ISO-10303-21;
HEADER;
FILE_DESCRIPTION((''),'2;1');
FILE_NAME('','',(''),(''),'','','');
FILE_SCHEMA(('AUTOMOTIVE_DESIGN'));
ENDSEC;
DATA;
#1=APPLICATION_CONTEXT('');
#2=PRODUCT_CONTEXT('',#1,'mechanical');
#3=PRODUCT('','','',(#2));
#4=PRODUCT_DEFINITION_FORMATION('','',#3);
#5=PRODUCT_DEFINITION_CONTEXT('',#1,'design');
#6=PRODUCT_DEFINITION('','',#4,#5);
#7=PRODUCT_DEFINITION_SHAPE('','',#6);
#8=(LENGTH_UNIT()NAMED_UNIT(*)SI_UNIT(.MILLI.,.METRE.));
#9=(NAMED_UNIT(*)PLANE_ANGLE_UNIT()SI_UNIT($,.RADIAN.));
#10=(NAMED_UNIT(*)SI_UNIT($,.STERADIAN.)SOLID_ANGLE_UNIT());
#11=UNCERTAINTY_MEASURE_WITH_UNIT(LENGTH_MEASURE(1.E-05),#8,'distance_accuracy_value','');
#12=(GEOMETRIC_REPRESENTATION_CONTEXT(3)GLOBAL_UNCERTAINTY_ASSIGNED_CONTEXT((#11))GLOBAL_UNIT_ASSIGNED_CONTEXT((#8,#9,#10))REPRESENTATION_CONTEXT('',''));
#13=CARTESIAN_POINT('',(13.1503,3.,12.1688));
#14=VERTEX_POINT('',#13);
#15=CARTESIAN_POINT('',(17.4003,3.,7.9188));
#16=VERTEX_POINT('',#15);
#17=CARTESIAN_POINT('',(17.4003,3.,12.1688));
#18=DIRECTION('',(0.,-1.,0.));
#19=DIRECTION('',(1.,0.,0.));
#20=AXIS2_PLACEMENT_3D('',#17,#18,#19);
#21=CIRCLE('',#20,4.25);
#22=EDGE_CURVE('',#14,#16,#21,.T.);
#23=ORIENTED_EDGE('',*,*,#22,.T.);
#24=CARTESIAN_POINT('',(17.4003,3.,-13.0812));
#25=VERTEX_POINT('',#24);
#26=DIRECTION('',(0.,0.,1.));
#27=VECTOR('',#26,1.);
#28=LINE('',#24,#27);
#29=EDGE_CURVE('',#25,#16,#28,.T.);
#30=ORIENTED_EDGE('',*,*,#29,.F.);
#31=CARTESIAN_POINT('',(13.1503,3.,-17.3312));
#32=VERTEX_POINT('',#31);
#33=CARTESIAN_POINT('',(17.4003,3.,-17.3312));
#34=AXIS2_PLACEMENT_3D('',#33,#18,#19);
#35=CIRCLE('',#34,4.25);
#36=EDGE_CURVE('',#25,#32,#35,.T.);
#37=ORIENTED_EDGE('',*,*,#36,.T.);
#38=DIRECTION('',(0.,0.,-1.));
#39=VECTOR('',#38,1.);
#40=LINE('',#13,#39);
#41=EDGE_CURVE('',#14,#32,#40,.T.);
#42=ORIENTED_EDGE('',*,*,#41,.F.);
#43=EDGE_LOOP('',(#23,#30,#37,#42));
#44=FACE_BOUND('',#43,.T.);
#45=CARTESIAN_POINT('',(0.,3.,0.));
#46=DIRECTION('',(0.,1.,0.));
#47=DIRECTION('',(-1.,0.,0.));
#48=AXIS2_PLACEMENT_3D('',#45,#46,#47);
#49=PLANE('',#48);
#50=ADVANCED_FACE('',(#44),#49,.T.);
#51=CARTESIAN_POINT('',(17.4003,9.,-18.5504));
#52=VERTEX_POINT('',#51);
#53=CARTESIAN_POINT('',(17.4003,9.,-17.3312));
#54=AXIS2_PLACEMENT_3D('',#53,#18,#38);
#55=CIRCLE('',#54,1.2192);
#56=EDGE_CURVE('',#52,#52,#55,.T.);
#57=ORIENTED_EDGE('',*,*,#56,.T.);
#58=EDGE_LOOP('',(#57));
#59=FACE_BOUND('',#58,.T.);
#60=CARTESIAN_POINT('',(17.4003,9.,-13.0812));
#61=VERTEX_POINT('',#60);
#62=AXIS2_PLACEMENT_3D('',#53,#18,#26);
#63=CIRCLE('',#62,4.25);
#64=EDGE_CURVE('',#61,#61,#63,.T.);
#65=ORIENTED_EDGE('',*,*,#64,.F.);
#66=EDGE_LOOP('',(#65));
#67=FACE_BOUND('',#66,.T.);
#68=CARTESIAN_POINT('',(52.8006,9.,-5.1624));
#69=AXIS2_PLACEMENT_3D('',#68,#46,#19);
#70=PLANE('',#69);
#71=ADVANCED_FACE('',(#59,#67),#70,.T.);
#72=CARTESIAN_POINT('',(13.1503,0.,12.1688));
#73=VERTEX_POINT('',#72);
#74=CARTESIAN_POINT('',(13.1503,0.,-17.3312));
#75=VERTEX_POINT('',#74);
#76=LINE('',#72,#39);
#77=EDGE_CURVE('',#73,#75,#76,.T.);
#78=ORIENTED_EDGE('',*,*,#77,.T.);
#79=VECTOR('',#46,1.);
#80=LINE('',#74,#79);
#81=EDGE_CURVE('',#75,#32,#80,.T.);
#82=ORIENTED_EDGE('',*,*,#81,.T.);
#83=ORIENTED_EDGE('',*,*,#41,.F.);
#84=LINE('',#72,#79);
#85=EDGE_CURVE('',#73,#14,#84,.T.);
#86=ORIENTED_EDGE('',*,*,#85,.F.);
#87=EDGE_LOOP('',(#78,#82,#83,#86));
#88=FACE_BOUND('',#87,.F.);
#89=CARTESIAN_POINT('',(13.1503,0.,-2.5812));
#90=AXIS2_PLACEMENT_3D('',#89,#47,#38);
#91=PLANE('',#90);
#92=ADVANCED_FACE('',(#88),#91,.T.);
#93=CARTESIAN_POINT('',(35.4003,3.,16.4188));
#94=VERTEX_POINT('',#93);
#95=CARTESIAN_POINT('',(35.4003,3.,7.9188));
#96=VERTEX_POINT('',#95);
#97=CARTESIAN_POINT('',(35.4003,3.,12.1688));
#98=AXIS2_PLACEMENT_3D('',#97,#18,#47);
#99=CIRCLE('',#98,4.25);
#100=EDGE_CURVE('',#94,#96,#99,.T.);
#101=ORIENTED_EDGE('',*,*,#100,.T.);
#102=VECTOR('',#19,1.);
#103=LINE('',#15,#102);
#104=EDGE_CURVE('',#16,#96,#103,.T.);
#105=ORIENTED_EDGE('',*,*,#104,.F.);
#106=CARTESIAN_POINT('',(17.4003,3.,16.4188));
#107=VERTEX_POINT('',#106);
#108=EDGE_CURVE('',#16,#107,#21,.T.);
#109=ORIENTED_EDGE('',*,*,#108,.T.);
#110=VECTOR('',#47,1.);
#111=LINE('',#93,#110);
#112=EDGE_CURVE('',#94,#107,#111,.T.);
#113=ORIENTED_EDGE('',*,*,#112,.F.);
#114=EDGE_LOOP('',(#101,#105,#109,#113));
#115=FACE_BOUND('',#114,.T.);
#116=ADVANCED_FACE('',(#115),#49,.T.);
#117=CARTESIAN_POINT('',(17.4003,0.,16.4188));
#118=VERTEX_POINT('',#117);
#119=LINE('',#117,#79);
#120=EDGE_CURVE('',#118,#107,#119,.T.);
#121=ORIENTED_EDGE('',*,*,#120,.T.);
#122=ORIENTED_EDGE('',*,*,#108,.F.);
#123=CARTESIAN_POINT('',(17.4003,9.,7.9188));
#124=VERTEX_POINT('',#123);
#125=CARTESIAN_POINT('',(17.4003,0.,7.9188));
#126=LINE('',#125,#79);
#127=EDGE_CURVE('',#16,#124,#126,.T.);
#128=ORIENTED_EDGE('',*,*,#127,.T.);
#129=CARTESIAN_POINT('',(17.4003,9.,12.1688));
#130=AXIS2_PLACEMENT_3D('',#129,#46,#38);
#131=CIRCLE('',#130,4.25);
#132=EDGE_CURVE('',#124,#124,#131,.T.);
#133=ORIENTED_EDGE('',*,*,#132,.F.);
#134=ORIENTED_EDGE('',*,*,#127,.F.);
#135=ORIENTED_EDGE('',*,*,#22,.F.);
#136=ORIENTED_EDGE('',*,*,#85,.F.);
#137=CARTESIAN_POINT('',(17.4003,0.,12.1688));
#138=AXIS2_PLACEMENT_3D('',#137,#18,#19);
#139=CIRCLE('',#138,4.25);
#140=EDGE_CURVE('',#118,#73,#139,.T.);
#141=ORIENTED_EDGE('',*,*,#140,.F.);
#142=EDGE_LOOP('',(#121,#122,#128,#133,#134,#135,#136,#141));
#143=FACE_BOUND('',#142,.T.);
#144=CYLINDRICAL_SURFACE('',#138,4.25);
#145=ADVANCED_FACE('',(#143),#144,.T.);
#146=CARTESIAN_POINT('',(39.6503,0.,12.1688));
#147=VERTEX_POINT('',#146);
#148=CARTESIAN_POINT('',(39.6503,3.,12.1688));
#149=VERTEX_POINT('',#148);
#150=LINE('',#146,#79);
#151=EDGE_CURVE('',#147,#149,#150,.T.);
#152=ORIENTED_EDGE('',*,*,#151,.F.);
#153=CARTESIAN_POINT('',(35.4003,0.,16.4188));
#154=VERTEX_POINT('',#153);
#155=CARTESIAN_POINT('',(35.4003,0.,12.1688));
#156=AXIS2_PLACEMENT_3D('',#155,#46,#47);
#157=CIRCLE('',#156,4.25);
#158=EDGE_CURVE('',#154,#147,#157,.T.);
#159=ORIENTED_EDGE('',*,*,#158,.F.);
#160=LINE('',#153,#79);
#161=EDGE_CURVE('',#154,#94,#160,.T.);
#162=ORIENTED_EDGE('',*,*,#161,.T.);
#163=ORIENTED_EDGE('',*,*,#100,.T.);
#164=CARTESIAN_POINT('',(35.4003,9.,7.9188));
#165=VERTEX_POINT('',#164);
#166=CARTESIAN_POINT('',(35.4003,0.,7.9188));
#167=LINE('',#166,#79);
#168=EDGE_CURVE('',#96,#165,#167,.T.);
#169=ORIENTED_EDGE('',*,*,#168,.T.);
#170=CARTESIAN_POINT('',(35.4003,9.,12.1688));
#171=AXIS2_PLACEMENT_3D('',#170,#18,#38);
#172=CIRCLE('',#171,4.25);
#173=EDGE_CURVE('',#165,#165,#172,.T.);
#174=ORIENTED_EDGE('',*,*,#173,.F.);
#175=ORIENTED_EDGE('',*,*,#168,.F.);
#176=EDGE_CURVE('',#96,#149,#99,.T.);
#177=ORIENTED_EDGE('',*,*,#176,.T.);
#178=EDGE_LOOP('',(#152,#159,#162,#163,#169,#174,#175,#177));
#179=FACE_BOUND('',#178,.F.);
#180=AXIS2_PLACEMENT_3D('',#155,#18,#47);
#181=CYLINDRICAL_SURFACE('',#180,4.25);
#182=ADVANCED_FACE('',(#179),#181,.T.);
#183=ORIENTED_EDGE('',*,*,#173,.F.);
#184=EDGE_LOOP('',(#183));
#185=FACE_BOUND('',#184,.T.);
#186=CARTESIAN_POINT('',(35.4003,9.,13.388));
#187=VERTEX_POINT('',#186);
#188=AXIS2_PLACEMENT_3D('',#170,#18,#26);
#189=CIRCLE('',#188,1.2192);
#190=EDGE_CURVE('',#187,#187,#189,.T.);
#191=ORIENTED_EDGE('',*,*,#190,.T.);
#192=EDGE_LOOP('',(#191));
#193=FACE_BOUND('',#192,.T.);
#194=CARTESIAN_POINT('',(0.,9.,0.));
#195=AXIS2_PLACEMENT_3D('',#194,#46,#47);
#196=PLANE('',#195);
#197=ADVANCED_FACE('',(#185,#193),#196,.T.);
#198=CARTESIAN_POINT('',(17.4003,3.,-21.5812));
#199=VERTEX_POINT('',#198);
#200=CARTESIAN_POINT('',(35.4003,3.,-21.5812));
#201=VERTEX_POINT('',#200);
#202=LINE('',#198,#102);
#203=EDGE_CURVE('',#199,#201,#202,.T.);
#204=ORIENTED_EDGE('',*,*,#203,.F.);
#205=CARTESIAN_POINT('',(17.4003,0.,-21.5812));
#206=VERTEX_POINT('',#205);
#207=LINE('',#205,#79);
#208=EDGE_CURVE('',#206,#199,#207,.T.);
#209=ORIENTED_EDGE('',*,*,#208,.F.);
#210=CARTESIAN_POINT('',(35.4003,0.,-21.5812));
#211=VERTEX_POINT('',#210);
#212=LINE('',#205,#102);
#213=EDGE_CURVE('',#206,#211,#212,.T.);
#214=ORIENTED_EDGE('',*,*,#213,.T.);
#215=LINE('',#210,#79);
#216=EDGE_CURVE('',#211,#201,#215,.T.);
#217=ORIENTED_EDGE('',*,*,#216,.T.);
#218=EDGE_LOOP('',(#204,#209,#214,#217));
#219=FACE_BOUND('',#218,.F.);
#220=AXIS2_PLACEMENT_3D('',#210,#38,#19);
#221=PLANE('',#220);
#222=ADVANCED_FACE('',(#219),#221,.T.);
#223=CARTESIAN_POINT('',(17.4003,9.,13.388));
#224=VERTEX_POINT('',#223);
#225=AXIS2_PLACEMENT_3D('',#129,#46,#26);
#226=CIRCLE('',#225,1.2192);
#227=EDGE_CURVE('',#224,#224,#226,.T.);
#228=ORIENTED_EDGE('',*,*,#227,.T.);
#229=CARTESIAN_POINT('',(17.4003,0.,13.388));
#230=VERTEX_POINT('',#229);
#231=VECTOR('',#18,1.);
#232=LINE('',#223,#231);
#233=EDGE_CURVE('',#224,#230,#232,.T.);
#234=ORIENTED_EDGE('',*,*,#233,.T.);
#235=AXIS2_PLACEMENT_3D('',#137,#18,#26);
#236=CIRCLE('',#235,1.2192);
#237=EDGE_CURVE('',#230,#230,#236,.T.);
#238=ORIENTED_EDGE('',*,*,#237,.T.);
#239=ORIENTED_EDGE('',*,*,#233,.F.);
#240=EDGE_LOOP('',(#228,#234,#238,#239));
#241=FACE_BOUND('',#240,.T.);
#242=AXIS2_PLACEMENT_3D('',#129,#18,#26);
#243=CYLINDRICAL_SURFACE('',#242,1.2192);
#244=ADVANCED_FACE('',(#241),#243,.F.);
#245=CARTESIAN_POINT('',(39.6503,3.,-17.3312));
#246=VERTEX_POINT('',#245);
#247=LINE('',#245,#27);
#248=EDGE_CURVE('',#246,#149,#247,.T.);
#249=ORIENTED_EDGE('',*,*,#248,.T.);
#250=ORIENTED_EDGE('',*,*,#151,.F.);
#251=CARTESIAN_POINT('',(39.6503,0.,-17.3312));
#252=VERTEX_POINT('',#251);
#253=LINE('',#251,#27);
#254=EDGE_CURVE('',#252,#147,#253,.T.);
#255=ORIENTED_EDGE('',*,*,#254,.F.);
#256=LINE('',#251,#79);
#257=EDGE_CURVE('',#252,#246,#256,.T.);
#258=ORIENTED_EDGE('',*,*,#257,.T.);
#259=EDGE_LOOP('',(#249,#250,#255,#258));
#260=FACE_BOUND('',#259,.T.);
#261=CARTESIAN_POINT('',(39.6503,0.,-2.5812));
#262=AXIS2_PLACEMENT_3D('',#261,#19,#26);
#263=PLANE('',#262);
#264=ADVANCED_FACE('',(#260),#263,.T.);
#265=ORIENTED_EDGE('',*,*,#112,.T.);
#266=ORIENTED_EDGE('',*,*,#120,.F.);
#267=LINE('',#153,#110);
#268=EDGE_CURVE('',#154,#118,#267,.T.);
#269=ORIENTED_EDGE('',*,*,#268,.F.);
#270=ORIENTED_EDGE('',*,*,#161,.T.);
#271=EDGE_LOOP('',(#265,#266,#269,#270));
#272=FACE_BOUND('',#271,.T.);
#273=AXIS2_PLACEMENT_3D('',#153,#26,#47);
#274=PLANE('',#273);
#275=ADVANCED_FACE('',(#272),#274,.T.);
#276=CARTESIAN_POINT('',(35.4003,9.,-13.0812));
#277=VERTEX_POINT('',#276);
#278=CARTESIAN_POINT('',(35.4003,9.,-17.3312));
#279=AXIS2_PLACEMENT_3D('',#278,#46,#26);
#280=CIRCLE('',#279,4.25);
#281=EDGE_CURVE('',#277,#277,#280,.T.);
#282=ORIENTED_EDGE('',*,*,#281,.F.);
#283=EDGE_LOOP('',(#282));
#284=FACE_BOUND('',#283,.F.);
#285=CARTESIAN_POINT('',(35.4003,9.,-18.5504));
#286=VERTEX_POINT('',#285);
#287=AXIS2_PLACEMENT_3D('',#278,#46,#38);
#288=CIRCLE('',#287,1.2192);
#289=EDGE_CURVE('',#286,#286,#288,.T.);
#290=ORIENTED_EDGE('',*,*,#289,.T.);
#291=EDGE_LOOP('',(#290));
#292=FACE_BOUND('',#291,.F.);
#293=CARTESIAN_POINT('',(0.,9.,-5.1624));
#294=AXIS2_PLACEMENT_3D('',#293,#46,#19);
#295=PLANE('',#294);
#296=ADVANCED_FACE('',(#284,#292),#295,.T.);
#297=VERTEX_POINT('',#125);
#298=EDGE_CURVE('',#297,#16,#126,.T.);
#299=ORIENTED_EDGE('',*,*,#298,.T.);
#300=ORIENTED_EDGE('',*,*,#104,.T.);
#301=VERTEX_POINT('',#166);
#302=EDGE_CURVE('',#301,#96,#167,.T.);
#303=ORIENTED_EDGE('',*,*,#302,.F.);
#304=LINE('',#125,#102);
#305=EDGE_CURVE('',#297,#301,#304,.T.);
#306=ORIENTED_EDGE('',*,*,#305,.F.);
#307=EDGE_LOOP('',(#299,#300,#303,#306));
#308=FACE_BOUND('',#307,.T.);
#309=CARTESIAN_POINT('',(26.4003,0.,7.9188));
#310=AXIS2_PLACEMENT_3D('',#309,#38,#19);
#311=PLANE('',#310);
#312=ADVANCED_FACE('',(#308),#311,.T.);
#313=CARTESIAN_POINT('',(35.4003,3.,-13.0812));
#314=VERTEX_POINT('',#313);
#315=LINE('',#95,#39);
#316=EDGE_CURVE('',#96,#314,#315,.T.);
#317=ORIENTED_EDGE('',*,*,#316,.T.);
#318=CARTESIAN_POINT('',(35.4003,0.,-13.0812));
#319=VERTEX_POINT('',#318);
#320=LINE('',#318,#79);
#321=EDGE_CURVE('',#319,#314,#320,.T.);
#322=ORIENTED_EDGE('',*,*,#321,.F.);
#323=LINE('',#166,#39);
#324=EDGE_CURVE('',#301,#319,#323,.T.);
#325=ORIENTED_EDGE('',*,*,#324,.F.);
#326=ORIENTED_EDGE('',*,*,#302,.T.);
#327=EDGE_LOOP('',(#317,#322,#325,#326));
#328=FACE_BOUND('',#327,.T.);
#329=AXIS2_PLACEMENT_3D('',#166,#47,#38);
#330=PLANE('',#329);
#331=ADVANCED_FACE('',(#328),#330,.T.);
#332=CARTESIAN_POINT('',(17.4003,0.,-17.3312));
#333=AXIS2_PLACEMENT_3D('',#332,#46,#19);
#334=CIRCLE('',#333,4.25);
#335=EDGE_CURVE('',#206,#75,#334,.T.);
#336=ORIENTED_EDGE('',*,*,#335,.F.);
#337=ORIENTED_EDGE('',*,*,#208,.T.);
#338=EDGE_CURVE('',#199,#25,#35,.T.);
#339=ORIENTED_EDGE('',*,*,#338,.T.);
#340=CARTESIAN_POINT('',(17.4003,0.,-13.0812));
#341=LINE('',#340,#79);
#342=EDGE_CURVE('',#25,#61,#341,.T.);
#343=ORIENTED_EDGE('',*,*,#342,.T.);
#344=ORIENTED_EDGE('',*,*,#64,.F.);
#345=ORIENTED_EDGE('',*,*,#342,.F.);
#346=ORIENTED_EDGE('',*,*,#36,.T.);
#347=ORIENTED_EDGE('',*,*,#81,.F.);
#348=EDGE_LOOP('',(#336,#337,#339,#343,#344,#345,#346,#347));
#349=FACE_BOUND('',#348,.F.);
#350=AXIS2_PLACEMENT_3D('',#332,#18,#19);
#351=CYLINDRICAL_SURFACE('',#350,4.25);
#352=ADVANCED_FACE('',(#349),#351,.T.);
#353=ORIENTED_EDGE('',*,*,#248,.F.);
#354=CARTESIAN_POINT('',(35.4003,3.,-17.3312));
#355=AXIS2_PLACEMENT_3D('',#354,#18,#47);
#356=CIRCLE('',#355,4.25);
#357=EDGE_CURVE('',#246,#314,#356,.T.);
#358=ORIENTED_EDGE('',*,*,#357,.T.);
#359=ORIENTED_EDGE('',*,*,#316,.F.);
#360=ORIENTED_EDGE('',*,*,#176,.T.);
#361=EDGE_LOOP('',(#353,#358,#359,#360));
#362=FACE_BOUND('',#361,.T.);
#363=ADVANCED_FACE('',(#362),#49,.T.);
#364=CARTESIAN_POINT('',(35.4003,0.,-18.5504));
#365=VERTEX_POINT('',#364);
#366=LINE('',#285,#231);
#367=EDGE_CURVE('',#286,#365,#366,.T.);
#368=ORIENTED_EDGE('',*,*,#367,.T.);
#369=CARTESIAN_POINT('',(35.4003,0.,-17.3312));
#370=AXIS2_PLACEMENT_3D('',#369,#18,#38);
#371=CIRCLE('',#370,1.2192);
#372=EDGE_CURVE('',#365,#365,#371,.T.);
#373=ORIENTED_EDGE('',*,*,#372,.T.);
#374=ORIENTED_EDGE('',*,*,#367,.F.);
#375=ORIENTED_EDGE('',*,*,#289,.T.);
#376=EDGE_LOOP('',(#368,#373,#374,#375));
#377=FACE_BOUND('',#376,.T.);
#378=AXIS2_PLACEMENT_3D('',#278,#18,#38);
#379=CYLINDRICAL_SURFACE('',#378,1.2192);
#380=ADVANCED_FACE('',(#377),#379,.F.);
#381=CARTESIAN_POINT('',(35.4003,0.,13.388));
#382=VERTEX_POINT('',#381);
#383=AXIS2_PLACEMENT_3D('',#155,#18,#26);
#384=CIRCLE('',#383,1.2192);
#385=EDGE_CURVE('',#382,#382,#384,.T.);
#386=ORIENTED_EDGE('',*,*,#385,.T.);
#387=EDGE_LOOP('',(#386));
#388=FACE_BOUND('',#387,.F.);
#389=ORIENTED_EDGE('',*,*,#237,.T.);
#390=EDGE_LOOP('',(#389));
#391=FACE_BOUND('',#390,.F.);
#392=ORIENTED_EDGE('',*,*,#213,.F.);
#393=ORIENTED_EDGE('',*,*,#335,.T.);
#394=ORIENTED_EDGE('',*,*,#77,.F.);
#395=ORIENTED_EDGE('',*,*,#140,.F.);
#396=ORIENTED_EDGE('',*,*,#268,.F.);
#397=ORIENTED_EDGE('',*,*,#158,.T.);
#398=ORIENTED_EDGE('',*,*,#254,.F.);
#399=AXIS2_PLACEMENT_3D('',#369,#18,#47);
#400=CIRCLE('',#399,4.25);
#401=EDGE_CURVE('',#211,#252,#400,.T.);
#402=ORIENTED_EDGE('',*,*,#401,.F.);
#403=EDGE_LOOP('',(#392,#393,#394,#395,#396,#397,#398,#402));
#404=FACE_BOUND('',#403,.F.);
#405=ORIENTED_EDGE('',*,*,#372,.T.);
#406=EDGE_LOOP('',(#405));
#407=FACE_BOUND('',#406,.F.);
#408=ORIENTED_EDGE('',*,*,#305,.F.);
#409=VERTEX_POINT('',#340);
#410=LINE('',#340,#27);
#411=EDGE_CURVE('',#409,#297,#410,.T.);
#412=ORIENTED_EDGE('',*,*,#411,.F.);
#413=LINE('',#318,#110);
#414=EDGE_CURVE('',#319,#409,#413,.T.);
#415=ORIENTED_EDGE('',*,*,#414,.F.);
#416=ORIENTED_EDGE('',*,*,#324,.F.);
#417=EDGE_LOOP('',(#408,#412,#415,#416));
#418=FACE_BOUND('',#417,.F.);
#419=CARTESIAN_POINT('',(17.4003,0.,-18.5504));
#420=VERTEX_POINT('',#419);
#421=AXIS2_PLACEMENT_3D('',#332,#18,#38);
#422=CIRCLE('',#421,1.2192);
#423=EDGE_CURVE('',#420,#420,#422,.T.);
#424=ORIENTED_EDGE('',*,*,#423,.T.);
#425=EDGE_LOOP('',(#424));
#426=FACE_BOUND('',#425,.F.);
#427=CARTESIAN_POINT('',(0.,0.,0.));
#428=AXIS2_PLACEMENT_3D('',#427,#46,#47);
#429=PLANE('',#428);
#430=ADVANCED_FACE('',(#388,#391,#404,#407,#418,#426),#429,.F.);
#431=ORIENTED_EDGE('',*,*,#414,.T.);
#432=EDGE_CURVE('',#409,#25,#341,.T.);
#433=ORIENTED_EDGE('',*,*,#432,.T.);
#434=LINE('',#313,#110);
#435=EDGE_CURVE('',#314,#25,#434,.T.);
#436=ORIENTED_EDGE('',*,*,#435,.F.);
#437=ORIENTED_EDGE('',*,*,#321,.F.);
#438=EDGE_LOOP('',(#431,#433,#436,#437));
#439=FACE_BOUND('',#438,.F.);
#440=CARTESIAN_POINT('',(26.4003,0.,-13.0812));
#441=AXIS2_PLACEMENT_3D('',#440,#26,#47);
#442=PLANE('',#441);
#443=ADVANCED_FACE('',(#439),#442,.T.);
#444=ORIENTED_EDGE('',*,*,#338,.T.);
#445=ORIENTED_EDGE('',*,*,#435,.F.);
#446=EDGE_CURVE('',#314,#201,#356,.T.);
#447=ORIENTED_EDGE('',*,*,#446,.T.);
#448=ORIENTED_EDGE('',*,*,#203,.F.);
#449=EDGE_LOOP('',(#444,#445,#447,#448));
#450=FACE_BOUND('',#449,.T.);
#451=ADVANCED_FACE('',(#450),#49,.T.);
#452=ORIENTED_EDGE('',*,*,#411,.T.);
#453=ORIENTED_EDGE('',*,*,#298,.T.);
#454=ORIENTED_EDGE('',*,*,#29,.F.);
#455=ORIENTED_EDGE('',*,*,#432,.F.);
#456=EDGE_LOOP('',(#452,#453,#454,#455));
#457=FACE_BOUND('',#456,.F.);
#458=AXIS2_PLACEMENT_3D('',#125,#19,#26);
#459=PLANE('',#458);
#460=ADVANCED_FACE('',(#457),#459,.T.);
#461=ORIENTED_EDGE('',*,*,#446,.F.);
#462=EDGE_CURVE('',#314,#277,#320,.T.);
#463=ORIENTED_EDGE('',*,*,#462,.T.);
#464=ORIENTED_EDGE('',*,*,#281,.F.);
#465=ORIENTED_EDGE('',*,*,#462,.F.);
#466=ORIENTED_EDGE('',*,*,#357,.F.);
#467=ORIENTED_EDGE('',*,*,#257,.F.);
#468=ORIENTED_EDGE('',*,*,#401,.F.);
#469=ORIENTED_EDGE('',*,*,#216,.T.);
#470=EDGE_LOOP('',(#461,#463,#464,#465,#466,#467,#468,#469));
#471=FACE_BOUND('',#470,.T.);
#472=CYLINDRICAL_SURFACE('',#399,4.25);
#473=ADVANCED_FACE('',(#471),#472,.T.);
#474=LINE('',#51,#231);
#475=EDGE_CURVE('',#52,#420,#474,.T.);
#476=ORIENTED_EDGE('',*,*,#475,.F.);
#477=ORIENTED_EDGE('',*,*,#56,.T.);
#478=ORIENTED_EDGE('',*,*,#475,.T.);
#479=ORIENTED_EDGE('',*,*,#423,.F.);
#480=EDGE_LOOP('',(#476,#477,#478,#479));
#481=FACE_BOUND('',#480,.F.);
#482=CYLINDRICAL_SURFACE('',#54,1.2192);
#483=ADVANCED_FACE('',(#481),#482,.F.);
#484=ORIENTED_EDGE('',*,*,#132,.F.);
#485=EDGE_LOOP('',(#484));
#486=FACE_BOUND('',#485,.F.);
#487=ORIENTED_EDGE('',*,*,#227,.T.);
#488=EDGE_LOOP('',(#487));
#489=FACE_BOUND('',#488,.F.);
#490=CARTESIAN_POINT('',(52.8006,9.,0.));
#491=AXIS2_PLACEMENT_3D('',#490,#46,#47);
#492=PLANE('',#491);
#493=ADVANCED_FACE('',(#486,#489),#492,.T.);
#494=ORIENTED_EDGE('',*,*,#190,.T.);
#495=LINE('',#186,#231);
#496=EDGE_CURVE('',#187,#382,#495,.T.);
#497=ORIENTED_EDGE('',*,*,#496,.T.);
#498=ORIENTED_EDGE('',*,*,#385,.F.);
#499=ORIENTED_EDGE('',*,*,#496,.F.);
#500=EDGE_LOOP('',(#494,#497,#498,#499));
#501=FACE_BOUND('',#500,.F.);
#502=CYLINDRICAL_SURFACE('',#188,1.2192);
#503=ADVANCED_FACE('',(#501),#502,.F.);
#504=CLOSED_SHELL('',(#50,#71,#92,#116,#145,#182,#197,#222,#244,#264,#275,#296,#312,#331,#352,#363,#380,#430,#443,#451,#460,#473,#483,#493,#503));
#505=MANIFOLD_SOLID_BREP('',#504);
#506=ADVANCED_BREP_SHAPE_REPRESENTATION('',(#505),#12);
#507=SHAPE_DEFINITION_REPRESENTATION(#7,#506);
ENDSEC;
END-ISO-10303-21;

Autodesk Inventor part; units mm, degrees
ref_plane "YZ Plane" through (0, 0, 0) normal (1, 0, 0) x (0, 1, 0)
ref_plane "XZ Plane" through (0, 0, 0) normal (0, 1, 0) x (-1, 0, 0)
ref_plane "XY Plane" through (0, 0, 0) normal (0, 0, 1) x (1, 0, 0)
sketch "Sketch1" plane through (0, 0, 0) normal (0, 1, 0) x (-1, 0, 0)
  arc A0 (-31.1503, 12.1688) -> (-35.4003, 7.9188) centre (-35.4003, 12.1688) ccw
  line L0 (-35.4003, 16.4188) -> (-35.4003, -2.5812)
  line L1 (-39.6503, 12.1688) -> (-31.1503, 12.1688)
  line L2 (-39.6503, -2.5812) -> (-39.6503, 12.1688)
  line L3 (-35.4003, 12.1688) -> (-26.4003, 12.1688)
  line L4 (-35.4003, 16.4188) -> (-26.4003, 16.4188)
  line L5 (-26.4003, 16.4188) -> (-26.4003, 7.9188)
  line L6 (-26.4003, 7.9188) -> (-35.4003, 7.9188)
  line L7 (-35.4003, 7.9188) -> (-35.4003, 16.4188)
  arc A1 (-35.4003, 7.9188) -> (-31.1503, 12.1688) centre (-35.4003, 12.1688) ccw
  line L8 (-35.4003, -2.5812) -> (-39.6503, -2.5812)
  point P0 (0, 0)
  dimension "d0" = 8.5
  dimension "d3" = 19
  dimension "d4" = 9
extrude "Extrusion2" add sketch "Sketch1" along normal blind 3
extrude "Extrusion3" add sketch "Sketch1" along normal blind 9 contours L1 L0 A0 | A1 L0 L1 | L0 L1 A0 | L0 A0 L1
sketch "Sketch2" plane through (35.4003, 9, 12.1688) normal (0, 1, 0) x (1, 0, 0)
  circle A0 centre (0, 0) radius 4.25 projected
  circle A1 centre (0, 0) radius 4.25
  point P0 (-35.4003, 12.1688)
hole "Hole1" at (35.4003, 9, 12.1688) direction (0, -1, 0) diameter 2.4384 end through all
mirror "Mirror1" about plane through (39.6503, 0, -2.5812) normal (0, 0, -1) of "Extrusion2", "Extrusion3", "Hole1"
mirror "Mirror2" about plane through (26.4003, 0, -13.0812) normal (-1, 0, 0) of "Extrusion2", "Extrusion3", "Hole1", "Mirror1"
properties part number "Spacer"
